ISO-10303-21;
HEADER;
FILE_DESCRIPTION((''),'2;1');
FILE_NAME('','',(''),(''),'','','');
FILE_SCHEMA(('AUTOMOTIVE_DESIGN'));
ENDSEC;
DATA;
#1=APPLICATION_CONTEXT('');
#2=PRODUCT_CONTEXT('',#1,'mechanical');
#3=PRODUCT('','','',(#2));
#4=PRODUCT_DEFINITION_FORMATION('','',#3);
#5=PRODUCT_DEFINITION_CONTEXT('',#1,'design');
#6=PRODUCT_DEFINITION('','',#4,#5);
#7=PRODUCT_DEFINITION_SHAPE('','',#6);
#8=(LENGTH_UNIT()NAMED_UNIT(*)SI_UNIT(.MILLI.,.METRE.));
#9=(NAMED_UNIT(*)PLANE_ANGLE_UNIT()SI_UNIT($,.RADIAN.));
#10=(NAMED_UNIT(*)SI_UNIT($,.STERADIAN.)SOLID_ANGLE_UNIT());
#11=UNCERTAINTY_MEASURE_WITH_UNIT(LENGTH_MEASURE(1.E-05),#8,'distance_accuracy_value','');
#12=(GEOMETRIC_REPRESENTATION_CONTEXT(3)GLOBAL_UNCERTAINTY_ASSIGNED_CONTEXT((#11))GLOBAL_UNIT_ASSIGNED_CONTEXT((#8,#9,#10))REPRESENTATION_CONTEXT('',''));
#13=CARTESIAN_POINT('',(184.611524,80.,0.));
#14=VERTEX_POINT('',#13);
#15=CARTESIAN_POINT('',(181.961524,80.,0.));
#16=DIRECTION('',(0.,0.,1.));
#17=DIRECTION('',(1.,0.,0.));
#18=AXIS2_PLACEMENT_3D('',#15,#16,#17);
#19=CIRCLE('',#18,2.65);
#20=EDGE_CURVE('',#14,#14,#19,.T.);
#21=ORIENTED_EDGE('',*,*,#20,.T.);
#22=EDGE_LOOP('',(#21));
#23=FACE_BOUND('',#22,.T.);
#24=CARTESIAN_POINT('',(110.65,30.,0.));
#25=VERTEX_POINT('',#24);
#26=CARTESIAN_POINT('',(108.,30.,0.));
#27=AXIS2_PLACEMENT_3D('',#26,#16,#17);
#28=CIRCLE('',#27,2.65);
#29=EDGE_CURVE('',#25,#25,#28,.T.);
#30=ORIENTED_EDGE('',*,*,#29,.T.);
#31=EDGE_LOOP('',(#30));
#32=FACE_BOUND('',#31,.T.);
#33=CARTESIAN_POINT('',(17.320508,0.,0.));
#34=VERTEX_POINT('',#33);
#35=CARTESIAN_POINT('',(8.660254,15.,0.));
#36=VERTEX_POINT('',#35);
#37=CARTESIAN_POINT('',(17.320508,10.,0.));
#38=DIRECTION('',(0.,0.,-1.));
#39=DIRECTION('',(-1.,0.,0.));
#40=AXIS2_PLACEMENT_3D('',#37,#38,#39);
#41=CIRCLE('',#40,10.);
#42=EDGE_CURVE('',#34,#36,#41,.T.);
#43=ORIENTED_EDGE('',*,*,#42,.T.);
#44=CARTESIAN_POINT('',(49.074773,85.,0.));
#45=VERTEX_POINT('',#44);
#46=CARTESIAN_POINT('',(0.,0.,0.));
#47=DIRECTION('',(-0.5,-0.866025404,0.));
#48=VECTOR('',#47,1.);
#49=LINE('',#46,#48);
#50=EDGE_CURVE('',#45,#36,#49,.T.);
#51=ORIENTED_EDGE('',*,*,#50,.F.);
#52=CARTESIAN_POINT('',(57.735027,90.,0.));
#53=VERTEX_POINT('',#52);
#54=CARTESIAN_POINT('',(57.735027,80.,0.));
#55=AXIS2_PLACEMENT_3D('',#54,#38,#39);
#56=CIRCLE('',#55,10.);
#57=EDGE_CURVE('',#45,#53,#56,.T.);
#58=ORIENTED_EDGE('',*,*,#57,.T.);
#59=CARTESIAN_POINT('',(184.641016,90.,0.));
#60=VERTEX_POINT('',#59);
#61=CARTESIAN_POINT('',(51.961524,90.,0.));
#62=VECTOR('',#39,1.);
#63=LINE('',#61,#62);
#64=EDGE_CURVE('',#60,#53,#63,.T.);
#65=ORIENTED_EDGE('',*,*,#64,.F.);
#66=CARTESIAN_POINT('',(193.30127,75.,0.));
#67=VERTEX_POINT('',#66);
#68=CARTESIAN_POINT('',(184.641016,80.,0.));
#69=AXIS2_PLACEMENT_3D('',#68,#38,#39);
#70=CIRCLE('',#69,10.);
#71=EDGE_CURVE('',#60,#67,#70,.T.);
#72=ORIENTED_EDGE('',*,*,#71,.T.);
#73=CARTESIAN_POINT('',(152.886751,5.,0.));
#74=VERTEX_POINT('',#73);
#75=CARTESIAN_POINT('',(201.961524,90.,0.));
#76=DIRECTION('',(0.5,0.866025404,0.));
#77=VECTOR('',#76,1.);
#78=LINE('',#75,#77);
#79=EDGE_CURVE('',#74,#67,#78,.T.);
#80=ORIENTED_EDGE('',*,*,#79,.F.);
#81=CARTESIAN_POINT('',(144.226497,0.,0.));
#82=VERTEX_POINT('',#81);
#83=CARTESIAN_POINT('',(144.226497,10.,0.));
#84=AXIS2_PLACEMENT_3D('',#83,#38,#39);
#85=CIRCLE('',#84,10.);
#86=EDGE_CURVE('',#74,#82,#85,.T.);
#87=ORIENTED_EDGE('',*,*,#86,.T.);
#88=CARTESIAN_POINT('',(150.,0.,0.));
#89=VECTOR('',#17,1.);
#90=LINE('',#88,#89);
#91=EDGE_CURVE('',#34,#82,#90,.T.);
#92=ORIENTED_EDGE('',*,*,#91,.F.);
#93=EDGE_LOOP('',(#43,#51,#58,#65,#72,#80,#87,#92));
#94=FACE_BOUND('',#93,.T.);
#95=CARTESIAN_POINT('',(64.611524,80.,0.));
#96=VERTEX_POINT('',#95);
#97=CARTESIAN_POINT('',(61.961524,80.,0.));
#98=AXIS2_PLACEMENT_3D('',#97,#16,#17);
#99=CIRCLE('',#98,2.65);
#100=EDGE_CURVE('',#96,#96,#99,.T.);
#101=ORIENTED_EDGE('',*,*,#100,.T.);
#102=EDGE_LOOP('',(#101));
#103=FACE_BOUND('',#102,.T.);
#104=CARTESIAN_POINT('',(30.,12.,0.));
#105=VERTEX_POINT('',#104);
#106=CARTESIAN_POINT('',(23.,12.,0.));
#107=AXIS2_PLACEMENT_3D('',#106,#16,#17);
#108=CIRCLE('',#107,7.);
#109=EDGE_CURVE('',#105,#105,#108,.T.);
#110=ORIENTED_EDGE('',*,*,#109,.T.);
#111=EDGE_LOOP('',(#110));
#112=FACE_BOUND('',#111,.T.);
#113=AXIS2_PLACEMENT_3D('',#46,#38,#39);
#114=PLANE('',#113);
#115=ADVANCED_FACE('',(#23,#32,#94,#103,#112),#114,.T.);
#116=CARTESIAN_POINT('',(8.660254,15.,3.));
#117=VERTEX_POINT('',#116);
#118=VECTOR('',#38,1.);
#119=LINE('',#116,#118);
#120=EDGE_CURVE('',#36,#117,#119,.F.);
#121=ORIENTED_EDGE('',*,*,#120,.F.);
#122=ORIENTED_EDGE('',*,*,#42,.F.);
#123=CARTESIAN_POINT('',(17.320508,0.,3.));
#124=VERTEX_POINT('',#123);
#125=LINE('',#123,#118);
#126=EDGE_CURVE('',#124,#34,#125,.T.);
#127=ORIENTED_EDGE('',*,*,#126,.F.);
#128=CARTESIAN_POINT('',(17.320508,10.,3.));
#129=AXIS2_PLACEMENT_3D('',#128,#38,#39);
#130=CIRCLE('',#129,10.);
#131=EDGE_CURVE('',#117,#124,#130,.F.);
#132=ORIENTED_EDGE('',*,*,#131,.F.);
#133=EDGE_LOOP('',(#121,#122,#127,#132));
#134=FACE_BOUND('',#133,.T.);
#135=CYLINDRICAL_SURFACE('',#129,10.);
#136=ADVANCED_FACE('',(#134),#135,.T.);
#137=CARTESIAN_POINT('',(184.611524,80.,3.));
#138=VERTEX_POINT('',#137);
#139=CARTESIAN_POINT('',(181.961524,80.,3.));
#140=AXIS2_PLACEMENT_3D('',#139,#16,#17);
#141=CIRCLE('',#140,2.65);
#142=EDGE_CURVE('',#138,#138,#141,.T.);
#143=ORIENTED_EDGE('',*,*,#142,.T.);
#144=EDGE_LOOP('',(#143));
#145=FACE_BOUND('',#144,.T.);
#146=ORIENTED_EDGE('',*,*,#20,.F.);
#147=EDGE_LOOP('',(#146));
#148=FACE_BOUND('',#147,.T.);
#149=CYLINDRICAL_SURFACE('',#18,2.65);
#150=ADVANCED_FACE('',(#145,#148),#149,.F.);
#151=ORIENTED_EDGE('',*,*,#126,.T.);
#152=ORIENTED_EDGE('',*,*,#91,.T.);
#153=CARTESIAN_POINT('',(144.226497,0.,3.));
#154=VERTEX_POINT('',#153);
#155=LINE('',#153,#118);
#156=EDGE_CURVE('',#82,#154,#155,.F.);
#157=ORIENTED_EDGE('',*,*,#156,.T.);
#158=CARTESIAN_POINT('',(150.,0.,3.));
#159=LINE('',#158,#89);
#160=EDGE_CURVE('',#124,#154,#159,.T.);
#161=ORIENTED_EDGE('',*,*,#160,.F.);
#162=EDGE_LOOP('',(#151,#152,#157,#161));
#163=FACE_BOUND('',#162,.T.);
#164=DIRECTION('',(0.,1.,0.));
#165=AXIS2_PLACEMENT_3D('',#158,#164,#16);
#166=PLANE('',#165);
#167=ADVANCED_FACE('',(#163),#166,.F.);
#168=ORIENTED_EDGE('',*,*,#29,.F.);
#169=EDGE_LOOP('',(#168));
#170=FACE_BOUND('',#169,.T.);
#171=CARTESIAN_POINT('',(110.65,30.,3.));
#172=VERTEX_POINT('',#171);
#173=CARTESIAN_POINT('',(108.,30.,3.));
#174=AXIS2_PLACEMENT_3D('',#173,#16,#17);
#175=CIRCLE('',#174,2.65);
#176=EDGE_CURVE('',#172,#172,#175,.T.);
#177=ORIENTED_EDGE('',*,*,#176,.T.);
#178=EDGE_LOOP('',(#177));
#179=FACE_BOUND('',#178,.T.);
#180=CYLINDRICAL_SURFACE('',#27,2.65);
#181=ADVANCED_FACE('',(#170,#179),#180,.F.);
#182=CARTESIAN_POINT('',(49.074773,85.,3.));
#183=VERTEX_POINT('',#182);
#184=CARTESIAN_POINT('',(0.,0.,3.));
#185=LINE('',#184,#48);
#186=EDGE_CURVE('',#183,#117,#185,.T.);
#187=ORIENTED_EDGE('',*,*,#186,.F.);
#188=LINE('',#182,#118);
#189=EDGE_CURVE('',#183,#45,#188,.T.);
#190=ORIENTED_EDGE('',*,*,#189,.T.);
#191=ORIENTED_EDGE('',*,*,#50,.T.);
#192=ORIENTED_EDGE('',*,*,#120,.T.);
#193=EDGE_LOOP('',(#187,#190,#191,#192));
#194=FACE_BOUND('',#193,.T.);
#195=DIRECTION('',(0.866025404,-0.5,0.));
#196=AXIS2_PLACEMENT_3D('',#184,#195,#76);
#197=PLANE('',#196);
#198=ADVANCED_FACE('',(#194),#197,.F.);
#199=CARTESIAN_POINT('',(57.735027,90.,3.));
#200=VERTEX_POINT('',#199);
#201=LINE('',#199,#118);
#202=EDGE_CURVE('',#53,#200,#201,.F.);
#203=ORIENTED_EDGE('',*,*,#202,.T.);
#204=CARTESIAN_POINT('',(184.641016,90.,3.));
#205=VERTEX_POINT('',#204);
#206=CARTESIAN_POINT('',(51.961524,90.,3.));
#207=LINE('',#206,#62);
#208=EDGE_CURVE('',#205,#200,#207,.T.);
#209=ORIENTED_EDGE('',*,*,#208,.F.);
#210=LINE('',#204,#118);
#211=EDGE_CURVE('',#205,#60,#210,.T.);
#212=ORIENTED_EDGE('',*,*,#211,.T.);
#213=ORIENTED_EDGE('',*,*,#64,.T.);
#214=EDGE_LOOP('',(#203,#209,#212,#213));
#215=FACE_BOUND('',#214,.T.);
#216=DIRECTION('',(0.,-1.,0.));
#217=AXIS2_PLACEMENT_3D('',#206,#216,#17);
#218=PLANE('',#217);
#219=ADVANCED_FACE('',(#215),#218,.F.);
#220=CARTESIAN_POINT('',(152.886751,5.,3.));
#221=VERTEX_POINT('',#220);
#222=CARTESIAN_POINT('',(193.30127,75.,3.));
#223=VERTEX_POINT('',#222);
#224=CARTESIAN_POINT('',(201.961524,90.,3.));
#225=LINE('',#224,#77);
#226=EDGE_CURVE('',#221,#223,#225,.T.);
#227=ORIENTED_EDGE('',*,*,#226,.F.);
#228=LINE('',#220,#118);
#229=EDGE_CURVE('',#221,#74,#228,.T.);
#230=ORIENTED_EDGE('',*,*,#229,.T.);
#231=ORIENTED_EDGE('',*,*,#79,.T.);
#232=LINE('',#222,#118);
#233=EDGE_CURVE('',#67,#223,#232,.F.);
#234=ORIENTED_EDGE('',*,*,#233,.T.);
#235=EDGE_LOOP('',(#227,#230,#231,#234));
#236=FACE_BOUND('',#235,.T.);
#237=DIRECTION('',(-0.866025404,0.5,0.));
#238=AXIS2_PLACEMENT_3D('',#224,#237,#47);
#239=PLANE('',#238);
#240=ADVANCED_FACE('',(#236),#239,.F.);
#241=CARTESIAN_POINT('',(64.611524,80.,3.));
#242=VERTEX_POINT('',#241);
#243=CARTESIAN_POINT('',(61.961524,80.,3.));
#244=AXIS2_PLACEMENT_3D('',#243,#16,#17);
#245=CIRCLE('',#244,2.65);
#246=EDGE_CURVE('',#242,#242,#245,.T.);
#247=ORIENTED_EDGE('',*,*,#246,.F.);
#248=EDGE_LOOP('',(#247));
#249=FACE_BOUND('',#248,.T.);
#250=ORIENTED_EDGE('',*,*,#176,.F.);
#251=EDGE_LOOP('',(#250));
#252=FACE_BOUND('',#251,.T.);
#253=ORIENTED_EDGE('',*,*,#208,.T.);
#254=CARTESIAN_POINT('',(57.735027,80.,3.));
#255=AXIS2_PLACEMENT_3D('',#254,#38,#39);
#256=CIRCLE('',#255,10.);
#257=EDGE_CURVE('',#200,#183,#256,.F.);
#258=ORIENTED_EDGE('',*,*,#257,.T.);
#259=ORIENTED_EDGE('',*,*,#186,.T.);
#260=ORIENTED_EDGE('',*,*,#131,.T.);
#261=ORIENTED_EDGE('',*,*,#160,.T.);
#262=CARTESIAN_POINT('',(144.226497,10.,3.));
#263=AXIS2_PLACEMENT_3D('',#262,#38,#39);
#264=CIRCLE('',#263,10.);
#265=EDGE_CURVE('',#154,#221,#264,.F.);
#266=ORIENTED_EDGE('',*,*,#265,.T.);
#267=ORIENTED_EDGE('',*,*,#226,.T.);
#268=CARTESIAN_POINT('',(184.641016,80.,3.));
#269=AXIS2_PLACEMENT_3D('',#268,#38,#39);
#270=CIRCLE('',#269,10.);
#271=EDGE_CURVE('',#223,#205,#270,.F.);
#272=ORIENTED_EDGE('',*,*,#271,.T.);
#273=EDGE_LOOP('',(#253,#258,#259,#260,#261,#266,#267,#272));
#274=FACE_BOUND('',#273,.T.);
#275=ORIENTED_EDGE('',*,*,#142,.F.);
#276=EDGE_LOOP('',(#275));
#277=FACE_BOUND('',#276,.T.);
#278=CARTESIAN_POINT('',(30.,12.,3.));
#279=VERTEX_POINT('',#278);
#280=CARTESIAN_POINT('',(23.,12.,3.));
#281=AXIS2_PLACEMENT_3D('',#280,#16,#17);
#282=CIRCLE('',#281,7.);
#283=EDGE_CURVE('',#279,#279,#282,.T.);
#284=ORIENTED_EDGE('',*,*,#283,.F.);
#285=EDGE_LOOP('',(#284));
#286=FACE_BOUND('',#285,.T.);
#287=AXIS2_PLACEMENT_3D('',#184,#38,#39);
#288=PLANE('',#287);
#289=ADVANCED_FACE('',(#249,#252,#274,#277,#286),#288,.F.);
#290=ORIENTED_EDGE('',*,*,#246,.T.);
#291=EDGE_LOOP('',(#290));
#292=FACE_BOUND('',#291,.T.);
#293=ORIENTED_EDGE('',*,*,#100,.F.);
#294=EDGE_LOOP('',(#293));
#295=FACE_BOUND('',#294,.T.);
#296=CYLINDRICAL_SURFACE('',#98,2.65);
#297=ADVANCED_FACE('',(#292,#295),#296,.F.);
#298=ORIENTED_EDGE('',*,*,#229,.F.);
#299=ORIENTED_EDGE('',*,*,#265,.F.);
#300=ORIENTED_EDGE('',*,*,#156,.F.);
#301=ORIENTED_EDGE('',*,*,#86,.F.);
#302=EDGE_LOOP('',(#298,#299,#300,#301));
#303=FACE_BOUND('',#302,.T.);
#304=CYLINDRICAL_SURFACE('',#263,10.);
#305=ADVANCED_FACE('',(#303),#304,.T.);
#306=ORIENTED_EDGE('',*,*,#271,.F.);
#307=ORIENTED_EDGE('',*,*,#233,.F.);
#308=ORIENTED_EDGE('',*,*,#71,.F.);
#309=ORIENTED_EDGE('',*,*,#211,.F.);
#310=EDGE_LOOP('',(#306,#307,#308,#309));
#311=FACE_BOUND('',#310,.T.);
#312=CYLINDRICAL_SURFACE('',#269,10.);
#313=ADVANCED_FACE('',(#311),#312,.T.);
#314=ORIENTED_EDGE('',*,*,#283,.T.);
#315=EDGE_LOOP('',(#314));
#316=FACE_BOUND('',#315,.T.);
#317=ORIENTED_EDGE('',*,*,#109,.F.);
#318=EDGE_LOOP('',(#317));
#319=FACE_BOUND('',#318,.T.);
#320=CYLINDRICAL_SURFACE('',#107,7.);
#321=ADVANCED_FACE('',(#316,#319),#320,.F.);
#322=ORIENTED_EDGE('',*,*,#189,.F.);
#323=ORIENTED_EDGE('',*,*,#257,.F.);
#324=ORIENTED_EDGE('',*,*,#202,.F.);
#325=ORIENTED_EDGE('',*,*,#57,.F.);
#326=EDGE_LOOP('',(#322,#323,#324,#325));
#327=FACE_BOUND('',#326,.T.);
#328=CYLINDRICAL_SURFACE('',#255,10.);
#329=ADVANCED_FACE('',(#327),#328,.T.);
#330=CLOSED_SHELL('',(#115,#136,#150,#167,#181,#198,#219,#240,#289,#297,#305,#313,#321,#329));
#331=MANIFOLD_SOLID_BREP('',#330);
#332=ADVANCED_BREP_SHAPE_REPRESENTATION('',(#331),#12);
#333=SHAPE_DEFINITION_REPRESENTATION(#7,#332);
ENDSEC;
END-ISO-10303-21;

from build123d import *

# Parameters (mm, degrees)
BOSS_EXTRUDE1_DEPTH = 3
SKETCH2_R           = 7
SKETCH2_R_2         = 2.65
CUT_EXTRUDE1_DEPTH  = 3
FILLET1_R           = 10


with BuildPart() as part:
    # Sketch1 → Boss-Extrude1 (new body)
    with BuildSketch(Plane.XY):
        Polygon((0, 0), (51.961524227, 90), (201.961524227, 90), (150, 0), align=None)
    extrude(amount=BOSS_EXTRUDE1_DEPTH)

    # Sketch2 → Cut-Extrude1 (cut)
    with BuildSketch(Plane.XY.offset(3)):
        with Locations((23, 12)):
            Circle(SKETCH2_R)
        with Locations((108, 30)):
            Circle(SKETCH2_R_2)
        with Locations((61.961524227, 80)):
            Circle(SKETCH2_R_2)
        with Locations((181.961524227, 80)):
            Circle(SKETCH2_R_2)
    extrude(amount=-CUT_EXTRUDE1_DEPTH, mode=Mode.SUBTRACT)

    # Fillet1
    fillet1_edges = [part.edges().sort_by_distance(p)[0] for p in [
        (0, 0, 1.5),
        (51.961524227, 90, 1.5),
        (201.961524227, 90, 1.5),
        (150, 0, 1.5),
    ]]
    fillet(fillet1_edges, radius=FILLET1_R)


solid = part.part
